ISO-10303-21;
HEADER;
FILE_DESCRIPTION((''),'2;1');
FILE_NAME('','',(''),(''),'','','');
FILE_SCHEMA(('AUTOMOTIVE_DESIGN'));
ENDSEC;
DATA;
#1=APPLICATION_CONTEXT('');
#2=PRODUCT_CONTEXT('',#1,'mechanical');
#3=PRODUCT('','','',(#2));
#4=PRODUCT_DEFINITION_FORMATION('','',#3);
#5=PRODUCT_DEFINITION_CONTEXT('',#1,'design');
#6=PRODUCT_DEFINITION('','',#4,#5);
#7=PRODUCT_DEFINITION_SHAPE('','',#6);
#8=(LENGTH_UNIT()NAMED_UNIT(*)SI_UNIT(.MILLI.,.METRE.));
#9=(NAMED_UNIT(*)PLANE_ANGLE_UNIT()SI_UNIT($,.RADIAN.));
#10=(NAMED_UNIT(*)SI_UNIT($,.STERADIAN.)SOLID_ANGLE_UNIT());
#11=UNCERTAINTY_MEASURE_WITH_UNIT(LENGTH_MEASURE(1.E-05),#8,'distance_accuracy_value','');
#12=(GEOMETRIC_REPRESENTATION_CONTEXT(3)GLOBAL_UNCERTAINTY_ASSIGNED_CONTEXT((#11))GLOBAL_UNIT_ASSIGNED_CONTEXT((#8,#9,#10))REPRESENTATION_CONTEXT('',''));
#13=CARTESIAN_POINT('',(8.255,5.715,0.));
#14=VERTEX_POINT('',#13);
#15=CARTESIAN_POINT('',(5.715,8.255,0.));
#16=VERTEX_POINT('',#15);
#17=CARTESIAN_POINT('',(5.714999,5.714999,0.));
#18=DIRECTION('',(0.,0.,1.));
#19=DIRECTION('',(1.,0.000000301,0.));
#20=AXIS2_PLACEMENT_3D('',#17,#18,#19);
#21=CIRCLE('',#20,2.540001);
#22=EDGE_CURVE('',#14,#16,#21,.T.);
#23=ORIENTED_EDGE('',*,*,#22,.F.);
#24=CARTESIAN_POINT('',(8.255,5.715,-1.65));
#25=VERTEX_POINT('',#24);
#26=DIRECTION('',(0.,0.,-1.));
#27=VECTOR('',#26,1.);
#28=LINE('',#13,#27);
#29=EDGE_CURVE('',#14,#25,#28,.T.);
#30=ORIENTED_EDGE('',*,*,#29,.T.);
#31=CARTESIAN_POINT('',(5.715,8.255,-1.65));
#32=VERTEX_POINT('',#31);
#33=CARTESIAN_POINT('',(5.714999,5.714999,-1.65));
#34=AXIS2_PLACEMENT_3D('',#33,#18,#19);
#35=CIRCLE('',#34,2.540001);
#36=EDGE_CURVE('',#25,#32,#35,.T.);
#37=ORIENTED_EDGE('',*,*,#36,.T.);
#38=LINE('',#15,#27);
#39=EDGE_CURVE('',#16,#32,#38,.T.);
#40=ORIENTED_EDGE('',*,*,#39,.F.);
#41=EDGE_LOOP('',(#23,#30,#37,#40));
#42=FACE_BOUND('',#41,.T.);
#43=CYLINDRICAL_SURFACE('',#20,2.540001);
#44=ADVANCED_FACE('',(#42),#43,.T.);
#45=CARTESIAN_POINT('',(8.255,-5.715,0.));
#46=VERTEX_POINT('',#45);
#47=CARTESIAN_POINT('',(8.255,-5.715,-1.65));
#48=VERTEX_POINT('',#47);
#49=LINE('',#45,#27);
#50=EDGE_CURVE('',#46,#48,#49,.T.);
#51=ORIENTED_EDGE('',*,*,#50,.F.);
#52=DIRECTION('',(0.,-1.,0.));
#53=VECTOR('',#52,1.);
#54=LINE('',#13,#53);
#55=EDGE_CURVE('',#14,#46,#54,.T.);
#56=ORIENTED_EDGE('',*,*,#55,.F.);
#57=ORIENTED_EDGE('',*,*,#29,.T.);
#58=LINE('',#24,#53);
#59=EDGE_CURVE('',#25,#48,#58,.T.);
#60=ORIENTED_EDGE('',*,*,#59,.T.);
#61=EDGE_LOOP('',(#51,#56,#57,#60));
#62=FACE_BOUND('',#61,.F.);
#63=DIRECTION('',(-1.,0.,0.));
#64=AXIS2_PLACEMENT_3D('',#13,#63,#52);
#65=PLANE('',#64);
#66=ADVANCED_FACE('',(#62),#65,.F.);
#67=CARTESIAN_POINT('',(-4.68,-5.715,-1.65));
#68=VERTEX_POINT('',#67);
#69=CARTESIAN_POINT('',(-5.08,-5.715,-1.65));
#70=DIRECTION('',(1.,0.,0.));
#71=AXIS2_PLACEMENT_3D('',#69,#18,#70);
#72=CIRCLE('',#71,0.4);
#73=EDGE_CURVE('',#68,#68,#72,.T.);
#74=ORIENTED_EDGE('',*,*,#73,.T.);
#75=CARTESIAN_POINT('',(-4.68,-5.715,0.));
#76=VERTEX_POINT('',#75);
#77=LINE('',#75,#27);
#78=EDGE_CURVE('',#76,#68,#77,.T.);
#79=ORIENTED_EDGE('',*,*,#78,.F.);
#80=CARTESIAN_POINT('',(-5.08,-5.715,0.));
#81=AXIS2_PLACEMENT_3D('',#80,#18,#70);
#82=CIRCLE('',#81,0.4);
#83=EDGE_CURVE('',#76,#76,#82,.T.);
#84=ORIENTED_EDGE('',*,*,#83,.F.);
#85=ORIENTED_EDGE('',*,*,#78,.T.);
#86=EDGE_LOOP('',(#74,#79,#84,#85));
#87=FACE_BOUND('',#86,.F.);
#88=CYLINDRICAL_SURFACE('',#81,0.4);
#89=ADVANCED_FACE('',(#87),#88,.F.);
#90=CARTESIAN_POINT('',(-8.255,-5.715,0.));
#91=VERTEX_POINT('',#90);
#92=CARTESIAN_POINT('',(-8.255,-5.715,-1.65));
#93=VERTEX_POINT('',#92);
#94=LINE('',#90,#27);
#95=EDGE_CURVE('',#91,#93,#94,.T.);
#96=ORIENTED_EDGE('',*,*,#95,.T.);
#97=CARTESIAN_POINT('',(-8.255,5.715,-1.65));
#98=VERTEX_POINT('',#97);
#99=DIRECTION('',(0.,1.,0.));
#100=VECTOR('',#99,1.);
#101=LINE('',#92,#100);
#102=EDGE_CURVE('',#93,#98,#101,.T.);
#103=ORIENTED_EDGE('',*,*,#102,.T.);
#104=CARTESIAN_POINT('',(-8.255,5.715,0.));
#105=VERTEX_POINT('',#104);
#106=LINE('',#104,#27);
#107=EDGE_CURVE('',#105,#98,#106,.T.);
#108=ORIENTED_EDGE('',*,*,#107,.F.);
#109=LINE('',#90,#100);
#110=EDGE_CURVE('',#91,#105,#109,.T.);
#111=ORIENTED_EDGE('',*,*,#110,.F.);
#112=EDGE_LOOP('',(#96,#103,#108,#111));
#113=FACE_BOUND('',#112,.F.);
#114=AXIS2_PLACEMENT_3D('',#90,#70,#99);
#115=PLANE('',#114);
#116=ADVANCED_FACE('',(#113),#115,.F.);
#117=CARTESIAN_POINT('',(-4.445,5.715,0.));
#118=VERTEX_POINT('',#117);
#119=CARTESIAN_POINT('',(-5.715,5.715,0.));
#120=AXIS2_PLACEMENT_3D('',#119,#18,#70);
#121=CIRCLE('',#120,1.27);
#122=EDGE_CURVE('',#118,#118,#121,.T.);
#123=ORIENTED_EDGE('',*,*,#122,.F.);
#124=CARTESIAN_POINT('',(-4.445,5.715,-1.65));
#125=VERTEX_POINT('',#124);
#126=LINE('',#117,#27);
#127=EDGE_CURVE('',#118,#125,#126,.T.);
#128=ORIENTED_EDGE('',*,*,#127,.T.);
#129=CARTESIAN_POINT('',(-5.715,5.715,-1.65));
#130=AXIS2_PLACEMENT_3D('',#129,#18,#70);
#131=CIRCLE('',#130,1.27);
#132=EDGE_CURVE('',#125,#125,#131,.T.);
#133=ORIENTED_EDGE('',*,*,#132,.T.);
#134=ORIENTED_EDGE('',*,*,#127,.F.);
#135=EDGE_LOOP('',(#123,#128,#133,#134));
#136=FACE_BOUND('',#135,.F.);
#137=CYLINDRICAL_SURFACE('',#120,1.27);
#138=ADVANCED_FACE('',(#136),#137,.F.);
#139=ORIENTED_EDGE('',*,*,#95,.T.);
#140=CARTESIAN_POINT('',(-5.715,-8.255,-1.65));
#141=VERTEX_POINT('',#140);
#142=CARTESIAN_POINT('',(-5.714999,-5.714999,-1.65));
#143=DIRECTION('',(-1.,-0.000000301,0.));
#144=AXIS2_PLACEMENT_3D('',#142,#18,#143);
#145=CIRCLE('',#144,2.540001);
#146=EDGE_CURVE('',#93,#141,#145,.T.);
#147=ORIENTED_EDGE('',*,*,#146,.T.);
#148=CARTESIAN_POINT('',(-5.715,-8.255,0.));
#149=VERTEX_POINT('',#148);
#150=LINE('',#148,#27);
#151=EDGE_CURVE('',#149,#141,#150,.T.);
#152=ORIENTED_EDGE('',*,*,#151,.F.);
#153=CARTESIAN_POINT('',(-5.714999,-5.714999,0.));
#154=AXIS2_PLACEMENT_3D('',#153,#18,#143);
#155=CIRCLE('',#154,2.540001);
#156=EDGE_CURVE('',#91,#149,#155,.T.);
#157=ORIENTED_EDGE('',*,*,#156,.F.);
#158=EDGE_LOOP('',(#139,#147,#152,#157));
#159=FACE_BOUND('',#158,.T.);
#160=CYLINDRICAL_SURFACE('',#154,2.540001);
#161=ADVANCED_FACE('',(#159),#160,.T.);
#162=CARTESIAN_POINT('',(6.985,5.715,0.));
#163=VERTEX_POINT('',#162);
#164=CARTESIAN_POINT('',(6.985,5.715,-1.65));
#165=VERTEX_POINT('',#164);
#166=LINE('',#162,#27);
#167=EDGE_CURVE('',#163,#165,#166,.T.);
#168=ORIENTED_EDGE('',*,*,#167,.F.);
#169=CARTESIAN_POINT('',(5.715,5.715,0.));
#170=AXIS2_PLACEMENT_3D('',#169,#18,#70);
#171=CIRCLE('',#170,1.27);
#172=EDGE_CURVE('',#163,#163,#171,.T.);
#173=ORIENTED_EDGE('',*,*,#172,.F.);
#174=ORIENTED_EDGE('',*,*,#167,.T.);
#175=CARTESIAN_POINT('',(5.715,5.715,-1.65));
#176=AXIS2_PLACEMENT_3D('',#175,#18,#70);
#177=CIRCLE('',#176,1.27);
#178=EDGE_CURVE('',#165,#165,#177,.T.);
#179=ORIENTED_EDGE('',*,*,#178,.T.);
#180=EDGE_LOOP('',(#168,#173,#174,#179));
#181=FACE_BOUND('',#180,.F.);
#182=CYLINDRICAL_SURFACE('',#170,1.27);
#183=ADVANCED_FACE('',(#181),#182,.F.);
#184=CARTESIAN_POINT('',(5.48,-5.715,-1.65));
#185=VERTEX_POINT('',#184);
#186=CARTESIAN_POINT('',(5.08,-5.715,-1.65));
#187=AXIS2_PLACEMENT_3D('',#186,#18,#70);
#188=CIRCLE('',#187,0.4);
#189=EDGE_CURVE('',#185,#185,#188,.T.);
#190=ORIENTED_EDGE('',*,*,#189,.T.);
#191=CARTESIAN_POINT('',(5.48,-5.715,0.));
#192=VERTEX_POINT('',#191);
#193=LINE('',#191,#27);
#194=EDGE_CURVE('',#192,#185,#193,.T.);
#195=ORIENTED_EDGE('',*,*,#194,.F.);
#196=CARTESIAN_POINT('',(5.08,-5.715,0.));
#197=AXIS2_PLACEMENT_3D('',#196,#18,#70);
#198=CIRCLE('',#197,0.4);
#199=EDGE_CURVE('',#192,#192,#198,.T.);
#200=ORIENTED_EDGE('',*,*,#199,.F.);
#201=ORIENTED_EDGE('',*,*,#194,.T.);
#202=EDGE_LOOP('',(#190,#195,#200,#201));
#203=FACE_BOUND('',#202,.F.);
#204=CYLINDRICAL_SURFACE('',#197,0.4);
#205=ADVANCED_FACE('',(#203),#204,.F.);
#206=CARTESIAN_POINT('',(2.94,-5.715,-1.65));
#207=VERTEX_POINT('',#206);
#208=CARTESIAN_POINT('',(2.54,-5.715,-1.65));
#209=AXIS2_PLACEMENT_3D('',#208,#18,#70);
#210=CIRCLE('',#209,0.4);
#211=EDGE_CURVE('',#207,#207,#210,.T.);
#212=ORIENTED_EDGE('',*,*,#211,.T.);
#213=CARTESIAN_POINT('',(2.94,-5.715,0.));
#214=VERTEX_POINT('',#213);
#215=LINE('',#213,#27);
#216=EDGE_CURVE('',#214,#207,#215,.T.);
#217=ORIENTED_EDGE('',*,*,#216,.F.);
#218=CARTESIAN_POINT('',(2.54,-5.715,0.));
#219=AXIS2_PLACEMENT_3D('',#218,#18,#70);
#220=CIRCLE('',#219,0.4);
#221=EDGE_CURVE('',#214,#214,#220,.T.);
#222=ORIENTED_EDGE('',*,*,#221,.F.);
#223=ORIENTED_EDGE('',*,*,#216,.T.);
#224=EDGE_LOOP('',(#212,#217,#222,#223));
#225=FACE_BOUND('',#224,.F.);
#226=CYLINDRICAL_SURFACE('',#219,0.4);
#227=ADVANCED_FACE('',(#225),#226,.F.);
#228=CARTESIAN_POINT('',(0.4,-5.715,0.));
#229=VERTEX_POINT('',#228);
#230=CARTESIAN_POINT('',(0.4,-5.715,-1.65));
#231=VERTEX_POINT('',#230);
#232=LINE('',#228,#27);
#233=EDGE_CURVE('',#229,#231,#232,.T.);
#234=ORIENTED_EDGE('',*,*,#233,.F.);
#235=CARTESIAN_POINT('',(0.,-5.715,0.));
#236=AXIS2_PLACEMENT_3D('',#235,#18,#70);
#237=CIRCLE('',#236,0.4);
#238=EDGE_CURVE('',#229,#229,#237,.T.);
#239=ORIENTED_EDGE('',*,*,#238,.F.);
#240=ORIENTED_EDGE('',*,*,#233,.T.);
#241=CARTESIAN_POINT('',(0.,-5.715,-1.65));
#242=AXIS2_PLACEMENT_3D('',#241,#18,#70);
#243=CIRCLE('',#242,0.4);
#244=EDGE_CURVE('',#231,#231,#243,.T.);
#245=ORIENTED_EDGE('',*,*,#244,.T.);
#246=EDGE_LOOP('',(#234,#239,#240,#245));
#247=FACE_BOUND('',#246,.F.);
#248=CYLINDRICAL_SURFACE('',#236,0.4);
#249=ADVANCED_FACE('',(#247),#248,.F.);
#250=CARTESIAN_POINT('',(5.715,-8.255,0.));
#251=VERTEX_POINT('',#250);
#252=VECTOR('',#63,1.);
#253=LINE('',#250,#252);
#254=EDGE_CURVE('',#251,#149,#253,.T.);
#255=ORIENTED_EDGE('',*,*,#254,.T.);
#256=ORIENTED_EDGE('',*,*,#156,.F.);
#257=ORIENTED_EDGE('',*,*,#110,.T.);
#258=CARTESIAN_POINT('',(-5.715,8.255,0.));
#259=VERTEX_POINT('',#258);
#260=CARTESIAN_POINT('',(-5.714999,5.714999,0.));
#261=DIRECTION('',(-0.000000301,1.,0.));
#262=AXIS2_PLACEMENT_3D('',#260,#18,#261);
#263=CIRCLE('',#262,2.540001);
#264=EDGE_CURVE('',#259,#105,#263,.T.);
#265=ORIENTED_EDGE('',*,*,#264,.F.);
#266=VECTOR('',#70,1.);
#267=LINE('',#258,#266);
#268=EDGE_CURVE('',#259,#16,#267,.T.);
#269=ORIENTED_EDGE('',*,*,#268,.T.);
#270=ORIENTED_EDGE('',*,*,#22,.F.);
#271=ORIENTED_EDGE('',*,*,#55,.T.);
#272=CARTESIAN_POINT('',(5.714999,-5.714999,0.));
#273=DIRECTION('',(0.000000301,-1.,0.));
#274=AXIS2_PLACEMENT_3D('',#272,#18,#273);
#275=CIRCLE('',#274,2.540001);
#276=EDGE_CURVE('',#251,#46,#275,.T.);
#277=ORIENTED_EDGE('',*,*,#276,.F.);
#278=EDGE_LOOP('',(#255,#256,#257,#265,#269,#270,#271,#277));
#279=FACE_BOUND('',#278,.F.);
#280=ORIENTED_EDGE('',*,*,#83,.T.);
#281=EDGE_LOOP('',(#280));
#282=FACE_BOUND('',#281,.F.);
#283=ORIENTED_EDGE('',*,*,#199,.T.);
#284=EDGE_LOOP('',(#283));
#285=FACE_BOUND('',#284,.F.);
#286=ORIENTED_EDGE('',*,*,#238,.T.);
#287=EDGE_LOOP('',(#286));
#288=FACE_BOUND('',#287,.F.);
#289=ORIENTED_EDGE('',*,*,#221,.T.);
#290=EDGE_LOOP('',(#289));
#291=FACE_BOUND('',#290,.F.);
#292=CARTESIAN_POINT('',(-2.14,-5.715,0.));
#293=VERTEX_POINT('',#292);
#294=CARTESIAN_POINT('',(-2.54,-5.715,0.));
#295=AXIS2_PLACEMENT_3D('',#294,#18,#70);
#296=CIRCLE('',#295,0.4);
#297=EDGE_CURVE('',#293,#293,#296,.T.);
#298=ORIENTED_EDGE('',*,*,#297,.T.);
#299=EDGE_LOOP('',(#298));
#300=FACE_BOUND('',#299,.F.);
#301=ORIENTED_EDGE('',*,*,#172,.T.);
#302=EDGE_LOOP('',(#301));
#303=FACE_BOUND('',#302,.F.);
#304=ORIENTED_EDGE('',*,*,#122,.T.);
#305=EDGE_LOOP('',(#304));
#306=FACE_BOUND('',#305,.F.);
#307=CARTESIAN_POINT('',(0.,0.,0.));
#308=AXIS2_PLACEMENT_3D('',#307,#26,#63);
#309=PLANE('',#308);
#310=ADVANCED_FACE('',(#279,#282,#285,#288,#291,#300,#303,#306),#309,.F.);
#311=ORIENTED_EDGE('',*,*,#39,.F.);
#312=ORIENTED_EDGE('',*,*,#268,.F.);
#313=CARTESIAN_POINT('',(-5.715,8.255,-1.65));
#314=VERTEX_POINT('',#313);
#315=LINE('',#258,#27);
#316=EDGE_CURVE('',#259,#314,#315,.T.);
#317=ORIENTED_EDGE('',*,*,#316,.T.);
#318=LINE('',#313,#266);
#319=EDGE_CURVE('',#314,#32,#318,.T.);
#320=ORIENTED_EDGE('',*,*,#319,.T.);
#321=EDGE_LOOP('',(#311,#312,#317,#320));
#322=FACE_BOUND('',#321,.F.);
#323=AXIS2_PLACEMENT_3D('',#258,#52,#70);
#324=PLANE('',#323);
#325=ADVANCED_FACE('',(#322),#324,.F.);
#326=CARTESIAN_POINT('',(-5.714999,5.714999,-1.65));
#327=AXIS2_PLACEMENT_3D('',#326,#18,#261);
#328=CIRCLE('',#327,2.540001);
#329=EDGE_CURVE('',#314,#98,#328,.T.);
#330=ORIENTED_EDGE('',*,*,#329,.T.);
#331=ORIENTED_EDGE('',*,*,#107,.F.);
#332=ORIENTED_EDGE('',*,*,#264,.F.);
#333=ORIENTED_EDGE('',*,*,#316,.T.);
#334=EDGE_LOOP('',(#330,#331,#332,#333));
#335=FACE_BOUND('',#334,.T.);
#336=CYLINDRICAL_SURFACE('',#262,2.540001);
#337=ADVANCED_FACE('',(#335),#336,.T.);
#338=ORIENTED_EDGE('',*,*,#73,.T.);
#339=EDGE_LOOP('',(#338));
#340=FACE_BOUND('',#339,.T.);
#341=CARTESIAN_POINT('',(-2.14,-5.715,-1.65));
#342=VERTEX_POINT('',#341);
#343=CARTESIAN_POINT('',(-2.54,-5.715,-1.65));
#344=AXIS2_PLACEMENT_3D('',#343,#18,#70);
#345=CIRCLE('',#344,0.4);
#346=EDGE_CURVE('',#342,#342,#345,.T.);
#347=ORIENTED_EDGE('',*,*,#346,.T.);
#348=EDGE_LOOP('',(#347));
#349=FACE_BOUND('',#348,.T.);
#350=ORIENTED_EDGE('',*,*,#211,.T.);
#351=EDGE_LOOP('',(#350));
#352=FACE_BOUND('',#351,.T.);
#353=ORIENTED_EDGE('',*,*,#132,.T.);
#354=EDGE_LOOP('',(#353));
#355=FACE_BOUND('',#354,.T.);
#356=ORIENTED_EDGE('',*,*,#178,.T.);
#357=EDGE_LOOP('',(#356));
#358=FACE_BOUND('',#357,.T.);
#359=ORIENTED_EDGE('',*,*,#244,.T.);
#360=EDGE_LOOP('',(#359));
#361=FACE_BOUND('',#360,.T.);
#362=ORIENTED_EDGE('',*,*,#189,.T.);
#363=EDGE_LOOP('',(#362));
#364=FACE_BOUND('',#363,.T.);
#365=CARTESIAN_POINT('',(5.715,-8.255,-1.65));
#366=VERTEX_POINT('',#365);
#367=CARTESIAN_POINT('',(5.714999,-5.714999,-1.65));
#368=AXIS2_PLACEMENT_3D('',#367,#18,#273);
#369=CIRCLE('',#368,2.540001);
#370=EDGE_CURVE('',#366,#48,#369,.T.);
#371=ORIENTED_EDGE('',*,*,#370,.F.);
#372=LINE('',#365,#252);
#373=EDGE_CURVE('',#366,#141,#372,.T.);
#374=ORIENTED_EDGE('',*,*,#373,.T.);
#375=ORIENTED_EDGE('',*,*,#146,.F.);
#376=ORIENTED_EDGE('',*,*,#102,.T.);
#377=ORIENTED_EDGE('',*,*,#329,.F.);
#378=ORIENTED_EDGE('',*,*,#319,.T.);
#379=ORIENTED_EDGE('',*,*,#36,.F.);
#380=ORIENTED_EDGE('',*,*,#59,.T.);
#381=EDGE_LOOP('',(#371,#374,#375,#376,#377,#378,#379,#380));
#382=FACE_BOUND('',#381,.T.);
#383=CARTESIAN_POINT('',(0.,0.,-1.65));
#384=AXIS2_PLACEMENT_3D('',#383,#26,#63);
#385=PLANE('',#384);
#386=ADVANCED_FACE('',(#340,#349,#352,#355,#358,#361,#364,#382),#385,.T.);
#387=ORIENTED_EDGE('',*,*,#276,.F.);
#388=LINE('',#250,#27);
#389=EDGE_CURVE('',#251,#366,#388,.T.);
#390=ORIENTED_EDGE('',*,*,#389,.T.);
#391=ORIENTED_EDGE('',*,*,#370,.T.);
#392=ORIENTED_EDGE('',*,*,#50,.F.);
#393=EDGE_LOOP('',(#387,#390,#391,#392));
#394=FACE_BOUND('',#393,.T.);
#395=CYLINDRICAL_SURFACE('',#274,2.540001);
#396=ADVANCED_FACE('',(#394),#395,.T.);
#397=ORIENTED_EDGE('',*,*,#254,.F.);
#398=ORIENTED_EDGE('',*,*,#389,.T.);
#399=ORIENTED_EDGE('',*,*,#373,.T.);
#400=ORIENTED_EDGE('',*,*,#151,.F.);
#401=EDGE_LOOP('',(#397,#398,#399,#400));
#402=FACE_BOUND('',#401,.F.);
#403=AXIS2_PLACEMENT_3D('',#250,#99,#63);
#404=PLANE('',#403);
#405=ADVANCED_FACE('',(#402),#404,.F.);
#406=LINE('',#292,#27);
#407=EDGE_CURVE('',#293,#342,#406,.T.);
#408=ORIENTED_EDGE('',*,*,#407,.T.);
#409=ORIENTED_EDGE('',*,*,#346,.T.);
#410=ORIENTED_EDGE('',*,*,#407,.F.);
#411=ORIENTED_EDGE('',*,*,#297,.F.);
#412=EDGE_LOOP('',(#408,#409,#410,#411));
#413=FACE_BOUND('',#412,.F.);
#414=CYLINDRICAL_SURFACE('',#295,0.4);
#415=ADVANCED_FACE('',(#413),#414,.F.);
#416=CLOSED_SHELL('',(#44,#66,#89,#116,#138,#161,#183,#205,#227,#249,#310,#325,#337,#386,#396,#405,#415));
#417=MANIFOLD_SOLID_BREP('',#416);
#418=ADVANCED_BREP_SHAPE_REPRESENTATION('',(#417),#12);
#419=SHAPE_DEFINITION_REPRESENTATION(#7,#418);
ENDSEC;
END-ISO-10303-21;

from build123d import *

# Parameters (mm, degrees)
PAD018_DEPTH           = 1.65
SKETCH050_R            = 1.27
POCKET030_DEPTH        = 1.651
SKETCH051_R            = 0.4
POCKET029_DEPTH        = 1.651
LINEARPATTERN004_COUNT = 3
LINEARPATTERN004_PITCH = 2.54
LINEARPATTERN005_COUNT = 3
LINEARPATTERN005_PITCH = 2.54


with BuildPart() as part:
    # Sketch049 → Pad018 (new body)
    with BuildSketch(Plane.XY):
        with BuildLine():
            Line((-5.715, 8.255), (5.715, 8.255))
            ThreePointArc((8.255, 5.715), (7.511051, 7.511051), (5.715, 8.255))
            Line((8.255, 5.715), (8.255, -5.715))
            ThreePointArc((5.715, -8.255), (7.511051, -7.511051), (8.255, -5.715))
            Line((5.715, -8.255), (-5.715, -8.255))
            ThreePointArc((-8.255, -5.715), (-7.511051, -7.511051), (-5.715, -8.255))
            Line((-8.255, -5.715), (-8.255, 5.715))
            ThreePointArc((-5.715, 8.255), (-7.511051, 7.511051), (-8.255, 5.715))
        make_face()
    extrude(amount=-PAD018_DEPTH)

    # Sketch050 → Pocket030 (cut, through all)
    with BuildSketch(Plane.XY):
        with Locations((-5.715, 5.715)):
            Circle(SKETCH050_R)
        with Locations((5.715, 5.715)):
            Circle(SKETCH050_R)
    extrude(amount=-POCKET030_DEPTH, mode=Mode.SUBTRACT)

    # Sketch051 → Pocket029 (cut, through all)
    with BuildSketch(Plane.XY):
        with Locations((0, -5.715)):
            Circle(SKETCH051_R)
    pocket029 = extrude(amount=-POCKET029_DEPTH, mode=Mode.SUBTRACT)

    # LinearPattern004: Pocket029 ×3
    with Locations(*[(i * LINEARPATTERN004_PITCH, 0, 0) for i in range(1, LINEARPATTERN004_COUNT)]):
        add(pocket029, mode=Mode.SUBTRACT)

    # LinearPattern005: Pocket029 ×3
    with Locations(*[(-i * LINEARPATTERN005_PITCH, 0, 0) for i in range(1, LINEARPATTERN005_COUNT)]):
        add(pocket029, mode=Mode.SUBTRACT)


solid = part.part
